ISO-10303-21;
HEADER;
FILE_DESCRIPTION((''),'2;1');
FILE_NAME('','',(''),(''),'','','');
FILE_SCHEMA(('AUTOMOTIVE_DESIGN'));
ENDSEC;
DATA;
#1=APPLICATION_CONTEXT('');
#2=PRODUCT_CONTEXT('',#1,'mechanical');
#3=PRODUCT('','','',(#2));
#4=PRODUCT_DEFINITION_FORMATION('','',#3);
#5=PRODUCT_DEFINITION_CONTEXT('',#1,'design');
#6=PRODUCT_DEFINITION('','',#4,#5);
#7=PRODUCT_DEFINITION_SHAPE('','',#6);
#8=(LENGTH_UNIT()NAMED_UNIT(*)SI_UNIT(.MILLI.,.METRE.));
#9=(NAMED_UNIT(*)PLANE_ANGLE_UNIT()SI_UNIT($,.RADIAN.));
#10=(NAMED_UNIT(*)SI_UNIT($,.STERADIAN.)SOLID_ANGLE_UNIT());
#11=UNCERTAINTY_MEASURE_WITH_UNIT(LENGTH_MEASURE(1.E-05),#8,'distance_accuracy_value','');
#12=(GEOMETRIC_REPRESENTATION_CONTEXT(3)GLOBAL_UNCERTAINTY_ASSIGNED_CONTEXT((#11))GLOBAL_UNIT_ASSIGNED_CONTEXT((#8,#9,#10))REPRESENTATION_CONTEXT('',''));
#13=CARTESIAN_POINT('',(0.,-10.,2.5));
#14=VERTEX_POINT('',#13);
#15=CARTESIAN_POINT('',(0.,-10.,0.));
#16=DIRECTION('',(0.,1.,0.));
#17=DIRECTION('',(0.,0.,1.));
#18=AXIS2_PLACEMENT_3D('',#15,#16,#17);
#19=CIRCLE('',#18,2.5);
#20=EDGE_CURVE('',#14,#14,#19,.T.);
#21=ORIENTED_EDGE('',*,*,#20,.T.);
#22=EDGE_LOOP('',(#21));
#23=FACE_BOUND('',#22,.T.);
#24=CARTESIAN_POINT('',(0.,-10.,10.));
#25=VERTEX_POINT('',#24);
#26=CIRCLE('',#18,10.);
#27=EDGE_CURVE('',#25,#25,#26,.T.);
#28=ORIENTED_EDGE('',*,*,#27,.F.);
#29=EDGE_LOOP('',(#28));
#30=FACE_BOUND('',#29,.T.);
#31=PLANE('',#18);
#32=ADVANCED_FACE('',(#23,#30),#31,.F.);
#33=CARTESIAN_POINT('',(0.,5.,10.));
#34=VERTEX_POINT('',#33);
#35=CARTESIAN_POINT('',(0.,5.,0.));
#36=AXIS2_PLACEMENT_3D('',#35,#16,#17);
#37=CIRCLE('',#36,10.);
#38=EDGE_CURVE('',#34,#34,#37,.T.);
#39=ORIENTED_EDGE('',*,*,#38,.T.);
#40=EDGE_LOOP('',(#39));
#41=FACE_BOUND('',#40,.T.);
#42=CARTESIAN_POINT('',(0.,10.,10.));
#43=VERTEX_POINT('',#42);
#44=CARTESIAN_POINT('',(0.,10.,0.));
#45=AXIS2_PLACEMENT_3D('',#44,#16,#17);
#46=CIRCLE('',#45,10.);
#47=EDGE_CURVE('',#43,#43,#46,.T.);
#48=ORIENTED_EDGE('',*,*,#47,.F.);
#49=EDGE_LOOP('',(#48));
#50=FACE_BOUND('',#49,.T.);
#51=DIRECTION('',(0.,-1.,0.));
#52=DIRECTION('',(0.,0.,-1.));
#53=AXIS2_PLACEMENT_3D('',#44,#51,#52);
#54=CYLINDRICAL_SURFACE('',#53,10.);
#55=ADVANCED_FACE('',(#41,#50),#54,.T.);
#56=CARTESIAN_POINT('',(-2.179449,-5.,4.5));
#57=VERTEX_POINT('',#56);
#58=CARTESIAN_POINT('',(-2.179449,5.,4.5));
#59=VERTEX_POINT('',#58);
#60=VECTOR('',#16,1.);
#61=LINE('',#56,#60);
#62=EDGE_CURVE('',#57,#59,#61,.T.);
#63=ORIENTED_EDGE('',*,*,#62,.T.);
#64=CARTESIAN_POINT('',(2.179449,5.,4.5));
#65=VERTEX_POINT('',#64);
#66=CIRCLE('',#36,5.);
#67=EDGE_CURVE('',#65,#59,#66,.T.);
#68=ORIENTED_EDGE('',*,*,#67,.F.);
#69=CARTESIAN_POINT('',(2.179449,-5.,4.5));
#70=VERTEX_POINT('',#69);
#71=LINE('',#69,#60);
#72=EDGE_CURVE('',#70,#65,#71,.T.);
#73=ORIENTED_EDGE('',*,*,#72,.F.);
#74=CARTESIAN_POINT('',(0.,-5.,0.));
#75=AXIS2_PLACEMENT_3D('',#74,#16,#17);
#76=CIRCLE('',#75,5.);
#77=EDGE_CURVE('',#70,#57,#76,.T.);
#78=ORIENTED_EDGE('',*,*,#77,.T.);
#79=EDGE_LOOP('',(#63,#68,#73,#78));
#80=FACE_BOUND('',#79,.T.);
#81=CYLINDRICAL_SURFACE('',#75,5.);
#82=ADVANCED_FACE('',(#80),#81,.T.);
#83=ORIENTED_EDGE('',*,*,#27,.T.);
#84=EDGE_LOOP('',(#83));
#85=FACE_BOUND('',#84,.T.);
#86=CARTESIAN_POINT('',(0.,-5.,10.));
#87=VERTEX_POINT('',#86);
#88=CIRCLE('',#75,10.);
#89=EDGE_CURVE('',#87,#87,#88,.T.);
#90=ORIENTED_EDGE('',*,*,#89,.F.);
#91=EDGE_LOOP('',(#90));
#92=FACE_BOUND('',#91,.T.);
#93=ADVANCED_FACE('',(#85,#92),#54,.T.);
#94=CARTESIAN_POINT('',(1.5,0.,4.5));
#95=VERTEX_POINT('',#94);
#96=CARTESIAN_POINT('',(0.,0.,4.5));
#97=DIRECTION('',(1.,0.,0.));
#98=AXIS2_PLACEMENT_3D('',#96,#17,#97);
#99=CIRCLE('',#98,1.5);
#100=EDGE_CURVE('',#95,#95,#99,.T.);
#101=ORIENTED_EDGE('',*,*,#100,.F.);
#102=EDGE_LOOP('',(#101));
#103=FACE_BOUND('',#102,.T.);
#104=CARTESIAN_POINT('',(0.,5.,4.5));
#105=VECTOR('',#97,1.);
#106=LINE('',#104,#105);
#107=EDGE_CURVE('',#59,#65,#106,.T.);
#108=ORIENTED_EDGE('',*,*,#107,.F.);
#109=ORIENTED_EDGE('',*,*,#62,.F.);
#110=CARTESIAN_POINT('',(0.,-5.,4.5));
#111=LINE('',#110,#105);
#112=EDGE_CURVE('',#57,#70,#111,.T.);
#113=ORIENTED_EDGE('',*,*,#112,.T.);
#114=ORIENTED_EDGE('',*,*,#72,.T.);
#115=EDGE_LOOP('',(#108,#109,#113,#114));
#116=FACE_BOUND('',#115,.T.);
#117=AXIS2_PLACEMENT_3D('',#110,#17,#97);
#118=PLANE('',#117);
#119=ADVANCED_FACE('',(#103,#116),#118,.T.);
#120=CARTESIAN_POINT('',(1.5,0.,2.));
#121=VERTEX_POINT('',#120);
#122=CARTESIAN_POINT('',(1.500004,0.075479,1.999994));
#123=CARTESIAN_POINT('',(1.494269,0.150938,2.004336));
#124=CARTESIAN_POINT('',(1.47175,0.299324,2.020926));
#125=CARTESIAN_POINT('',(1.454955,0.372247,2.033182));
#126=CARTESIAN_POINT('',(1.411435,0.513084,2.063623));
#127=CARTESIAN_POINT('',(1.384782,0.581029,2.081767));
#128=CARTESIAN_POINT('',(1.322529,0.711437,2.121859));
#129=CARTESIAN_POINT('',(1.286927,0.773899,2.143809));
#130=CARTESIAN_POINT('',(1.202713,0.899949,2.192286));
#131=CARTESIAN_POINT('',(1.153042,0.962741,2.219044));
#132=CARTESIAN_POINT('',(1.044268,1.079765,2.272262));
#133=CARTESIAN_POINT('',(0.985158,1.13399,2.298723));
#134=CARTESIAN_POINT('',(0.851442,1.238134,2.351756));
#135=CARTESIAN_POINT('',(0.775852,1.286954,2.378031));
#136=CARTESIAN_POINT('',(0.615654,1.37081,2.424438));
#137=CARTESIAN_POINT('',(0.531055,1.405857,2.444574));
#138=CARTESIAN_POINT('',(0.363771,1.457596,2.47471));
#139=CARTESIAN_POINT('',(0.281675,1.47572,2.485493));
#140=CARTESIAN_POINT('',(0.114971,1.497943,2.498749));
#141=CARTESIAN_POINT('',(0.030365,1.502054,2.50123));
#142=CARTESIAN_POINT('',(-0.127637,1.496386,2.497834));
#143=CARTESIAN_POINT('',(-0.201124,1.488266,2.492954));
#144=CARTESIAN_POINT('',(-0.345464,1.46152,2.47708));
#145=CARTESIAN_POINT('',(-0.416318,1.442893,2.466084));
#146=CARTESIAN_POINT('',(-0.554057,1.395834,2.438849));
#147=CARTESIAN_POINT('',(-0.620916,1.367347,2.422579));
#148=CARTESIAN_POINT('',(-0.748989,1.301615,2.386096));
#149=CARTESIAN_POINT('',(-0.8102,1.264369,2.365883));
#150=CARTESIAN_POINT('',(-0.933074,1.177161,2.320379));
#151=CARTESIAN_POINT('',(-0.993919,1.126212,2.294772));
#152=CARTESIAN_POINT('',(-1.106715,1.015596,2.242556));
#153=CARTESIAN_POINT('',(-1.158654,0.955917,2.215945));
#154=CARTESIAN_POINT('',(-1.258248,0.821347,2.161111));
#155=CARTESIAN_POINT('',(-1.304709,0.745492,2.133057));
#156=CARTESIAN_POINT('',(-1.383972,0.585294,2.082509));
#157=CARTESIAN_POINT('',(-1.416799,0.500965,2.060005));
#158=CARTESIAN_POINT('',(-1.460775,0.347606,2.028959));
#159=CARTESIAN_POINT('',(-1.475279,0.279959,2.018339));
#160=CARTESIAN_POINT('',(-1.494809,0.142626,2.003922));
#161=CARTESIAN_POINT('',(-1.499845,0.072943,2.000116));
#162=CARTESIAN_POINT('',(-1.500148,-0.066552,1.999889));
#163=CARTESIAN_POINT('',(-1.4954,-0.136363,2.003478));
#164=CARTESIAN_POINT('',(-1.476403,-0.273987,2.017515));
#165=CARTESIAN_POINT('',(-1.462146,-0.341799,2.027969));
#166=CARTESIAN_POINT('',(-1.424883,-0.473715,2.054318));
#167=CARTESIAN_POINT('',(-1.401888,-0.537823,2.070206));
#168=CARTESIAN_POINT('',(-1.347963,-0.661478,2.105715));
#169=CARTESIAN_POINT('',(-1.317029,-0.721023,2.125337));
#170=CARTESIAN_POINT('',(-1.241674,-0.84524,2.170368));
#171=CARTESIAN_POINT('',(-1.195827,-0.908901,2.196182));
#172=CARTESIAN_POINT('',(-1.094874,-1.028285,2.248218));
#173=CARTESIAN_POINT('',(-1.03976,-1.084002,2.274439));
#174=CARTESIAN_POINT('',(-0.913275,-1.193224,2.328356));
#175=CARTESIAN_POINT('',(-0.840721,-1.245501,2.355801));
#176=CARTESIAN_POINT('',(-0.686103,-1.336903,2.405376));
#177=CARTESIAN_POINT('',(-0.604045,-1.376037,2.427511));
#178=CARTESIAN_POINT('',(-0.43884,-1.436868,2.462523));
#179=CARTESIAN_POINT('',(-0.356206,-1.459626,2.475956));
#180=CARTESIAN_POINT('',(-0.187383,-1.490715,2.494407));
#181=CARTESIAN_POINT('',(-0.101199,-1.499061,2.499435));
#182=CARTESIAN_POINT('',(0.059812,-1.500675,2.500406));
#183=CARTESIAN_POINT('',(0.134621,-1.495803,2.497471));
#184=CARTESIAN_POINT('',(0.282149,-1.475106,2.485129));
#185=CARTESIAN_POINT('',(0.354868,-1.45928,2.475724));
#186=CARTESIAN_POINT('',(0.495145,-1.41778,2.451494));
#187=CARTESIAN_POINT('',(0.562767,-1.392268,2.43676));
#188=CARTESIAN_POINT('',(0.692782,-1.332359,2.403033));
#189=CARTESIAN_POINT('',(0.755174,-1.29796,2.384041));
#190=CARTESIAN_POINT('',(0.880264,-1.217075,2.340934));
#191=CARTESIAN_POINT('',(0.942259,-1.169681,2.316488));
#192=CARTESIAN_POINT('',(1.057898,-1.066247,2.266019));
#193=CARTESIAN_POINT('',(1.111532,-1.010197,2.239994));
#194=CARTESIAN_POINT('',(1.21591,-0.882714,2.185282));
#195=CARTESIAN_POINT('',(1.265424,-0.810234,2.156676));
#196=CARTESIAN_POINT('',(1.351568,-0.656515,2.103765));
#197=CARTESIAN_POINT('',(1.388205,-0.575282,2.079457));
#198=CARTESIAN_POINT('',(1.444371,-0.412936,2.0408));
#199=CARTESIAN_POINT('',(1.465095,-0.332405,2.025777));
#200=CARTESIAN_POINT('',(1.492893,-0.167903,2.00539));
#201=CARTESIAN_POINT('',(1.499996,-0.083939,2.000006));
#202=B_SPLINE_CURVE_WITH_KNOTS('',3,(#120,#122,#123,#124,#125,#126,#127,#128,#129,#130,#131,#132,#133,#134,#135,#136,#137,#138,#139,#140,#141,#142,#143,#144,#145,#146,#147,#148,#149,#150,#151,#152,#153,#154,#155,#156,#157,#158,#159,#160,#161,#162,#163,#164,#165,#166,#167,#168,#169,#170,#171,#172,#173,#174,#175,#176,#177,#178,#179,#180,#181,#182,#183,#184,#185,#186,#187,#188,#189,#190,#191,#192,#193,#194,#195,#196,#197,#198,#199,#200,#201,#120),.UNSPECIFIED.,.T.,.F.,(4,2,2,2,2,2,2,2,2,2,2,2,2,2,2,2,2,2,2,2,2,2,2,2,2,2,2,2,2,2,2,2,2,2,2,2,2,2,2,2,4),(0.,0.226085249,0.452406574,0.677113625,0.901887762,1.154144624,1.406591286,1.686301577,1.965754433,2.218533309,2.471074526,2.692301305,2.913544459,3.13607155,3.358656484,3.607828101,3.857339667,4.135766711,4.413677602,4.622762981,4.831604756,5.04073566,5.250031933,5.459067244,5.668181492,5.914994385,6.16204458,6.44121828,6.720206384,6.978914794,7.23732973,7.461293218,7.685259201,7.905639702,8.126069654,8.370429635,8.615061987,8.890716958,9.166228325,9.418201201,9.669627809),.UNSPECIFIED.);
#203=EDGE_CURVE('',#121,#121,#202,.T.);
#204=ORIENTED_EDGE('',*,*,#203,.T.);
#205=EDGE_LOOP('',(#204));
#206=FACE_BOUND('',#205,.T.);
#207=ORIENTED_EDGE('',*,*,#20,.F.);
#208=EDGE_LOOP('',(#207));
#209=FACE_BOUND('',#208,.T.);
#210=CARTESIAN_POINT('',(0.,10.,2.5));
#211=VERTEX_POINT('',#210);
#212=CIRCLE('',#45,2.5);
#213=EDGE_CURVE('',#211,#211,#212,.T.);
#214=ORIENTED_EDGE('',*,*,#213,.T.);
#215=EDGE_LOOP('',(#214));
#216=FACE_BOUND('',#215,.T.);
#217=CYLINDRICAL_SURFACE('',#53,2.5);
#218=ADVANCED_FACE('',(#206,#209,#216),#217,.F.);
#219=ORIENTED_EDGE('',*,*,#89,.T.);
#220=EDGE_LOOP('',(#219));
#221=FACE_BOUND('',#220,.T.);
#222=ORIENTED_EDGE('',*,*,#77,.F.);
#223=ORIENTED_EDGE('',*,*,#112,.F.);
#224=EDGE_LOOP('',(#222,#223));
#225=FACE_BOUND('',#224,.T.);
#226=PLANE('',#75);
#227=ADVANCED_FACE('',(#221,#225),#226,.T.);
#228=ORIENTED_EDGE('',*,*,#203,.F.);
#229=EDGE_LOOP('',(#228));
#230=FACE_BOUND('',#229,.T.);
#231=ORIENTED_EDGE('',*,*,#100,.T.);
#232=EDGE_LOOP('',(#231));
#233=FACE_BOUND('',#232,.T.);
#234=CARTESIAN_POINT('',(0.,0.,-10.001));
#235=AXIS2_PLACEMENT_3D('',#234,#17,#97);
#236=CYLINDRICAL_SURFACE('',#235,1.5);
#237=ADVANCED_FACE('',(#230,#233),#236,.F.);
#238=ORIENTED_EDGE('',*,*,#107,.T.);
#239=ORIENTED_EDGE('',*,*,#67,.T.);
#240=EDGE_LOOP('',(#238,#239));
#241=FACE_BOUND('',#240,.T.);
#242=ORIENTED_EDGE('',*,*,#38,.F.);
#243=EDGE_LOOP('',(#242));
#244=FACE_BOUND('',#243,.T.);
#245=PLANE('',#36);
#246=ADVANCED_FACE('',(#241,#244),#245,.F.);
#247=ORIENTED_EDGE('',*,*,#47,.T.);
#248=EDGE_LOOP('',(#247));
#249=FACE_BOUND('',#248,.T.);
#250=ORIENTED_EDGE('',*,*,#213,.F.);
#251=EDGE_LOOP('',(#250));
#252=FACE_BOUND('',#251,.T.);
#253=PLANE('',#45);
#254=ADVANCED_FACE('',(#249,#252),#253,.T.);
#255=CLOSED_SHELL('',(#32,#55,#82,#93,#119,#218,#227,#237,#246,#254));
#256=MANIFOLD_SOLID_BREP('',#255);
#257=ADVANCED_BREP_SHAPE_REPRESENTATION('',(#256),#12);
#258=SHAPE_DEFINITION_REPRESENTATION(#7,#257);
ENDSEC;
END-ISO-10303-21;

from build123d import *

# Parameters (mm, degrees)
SKETCH1_R           = 10
SKETCH1_R_2         = 2.5
BOSS_EXTRUDE1_DEPTH = 10
SKETCH1_3_R         = 10
CUT_EXTRUDE1_DEPTH  = 5
CUT_EXTRUDE2_REACH  = 22.255
SKETCH4_R           = 1.5


with BuildPart() as part:
    # Sketch1 → Boss-Extrude1 (new, symmetric)
    with BuildSketch(Plane(origin=(0, 0, 0), x_dir=(1, 0, 0), z_dir=(0, 1, 0))):
        Circle(SKETCH1_R)
        Circle(SKETCH1_R_2, mode=Mode.SUBTRACT)
    extrude(amount=BOSS_EXTRUDE1_DEPTH, both=True)

    # Sketch1<3> → Cut-Extrude1 (cut, symmetric)
    with BuildSketch(Plane(origin=(0, 0, 0), x_dir=(1, 0, 0), z_dir=(0, 1, 0))):
        Circle(SKETCH1_3_R)
        with BuildLine():
            Line((2.179449472, -4.5), (-2.179449472, -4.5))
            ThreePointArc((-2.179449472, -4.5), (0, 5), (2.179449472, -4.5))
        make_face(mode=Mode.SUBTRACT)
    extrude(amount=CUT_EXTRUDE1_DEPTH, both=True, mode=Mode.SUBTRACT)

    # Sketch4 → Cut-Extrude2 (cut, up to next)
    with BuildSketch(Plane.XY.offset(4.5), mode=Mode.PRIVATE) as cut_extrude2_sk1:
        Circle(SKETCH4_R)
    cut_extrude2_tool1 = extrude(cut_extrude2_sk1.sketch, amount=-CUT_EXTRUDE2_REACH, mode=Mode.PRIVATE) & part.part
    add(cut_extrude2_tool1.solids().sort_by_distance((0, 0, 4.5))[0], mode=Mode.SUBTRACT)


solid = part.part
